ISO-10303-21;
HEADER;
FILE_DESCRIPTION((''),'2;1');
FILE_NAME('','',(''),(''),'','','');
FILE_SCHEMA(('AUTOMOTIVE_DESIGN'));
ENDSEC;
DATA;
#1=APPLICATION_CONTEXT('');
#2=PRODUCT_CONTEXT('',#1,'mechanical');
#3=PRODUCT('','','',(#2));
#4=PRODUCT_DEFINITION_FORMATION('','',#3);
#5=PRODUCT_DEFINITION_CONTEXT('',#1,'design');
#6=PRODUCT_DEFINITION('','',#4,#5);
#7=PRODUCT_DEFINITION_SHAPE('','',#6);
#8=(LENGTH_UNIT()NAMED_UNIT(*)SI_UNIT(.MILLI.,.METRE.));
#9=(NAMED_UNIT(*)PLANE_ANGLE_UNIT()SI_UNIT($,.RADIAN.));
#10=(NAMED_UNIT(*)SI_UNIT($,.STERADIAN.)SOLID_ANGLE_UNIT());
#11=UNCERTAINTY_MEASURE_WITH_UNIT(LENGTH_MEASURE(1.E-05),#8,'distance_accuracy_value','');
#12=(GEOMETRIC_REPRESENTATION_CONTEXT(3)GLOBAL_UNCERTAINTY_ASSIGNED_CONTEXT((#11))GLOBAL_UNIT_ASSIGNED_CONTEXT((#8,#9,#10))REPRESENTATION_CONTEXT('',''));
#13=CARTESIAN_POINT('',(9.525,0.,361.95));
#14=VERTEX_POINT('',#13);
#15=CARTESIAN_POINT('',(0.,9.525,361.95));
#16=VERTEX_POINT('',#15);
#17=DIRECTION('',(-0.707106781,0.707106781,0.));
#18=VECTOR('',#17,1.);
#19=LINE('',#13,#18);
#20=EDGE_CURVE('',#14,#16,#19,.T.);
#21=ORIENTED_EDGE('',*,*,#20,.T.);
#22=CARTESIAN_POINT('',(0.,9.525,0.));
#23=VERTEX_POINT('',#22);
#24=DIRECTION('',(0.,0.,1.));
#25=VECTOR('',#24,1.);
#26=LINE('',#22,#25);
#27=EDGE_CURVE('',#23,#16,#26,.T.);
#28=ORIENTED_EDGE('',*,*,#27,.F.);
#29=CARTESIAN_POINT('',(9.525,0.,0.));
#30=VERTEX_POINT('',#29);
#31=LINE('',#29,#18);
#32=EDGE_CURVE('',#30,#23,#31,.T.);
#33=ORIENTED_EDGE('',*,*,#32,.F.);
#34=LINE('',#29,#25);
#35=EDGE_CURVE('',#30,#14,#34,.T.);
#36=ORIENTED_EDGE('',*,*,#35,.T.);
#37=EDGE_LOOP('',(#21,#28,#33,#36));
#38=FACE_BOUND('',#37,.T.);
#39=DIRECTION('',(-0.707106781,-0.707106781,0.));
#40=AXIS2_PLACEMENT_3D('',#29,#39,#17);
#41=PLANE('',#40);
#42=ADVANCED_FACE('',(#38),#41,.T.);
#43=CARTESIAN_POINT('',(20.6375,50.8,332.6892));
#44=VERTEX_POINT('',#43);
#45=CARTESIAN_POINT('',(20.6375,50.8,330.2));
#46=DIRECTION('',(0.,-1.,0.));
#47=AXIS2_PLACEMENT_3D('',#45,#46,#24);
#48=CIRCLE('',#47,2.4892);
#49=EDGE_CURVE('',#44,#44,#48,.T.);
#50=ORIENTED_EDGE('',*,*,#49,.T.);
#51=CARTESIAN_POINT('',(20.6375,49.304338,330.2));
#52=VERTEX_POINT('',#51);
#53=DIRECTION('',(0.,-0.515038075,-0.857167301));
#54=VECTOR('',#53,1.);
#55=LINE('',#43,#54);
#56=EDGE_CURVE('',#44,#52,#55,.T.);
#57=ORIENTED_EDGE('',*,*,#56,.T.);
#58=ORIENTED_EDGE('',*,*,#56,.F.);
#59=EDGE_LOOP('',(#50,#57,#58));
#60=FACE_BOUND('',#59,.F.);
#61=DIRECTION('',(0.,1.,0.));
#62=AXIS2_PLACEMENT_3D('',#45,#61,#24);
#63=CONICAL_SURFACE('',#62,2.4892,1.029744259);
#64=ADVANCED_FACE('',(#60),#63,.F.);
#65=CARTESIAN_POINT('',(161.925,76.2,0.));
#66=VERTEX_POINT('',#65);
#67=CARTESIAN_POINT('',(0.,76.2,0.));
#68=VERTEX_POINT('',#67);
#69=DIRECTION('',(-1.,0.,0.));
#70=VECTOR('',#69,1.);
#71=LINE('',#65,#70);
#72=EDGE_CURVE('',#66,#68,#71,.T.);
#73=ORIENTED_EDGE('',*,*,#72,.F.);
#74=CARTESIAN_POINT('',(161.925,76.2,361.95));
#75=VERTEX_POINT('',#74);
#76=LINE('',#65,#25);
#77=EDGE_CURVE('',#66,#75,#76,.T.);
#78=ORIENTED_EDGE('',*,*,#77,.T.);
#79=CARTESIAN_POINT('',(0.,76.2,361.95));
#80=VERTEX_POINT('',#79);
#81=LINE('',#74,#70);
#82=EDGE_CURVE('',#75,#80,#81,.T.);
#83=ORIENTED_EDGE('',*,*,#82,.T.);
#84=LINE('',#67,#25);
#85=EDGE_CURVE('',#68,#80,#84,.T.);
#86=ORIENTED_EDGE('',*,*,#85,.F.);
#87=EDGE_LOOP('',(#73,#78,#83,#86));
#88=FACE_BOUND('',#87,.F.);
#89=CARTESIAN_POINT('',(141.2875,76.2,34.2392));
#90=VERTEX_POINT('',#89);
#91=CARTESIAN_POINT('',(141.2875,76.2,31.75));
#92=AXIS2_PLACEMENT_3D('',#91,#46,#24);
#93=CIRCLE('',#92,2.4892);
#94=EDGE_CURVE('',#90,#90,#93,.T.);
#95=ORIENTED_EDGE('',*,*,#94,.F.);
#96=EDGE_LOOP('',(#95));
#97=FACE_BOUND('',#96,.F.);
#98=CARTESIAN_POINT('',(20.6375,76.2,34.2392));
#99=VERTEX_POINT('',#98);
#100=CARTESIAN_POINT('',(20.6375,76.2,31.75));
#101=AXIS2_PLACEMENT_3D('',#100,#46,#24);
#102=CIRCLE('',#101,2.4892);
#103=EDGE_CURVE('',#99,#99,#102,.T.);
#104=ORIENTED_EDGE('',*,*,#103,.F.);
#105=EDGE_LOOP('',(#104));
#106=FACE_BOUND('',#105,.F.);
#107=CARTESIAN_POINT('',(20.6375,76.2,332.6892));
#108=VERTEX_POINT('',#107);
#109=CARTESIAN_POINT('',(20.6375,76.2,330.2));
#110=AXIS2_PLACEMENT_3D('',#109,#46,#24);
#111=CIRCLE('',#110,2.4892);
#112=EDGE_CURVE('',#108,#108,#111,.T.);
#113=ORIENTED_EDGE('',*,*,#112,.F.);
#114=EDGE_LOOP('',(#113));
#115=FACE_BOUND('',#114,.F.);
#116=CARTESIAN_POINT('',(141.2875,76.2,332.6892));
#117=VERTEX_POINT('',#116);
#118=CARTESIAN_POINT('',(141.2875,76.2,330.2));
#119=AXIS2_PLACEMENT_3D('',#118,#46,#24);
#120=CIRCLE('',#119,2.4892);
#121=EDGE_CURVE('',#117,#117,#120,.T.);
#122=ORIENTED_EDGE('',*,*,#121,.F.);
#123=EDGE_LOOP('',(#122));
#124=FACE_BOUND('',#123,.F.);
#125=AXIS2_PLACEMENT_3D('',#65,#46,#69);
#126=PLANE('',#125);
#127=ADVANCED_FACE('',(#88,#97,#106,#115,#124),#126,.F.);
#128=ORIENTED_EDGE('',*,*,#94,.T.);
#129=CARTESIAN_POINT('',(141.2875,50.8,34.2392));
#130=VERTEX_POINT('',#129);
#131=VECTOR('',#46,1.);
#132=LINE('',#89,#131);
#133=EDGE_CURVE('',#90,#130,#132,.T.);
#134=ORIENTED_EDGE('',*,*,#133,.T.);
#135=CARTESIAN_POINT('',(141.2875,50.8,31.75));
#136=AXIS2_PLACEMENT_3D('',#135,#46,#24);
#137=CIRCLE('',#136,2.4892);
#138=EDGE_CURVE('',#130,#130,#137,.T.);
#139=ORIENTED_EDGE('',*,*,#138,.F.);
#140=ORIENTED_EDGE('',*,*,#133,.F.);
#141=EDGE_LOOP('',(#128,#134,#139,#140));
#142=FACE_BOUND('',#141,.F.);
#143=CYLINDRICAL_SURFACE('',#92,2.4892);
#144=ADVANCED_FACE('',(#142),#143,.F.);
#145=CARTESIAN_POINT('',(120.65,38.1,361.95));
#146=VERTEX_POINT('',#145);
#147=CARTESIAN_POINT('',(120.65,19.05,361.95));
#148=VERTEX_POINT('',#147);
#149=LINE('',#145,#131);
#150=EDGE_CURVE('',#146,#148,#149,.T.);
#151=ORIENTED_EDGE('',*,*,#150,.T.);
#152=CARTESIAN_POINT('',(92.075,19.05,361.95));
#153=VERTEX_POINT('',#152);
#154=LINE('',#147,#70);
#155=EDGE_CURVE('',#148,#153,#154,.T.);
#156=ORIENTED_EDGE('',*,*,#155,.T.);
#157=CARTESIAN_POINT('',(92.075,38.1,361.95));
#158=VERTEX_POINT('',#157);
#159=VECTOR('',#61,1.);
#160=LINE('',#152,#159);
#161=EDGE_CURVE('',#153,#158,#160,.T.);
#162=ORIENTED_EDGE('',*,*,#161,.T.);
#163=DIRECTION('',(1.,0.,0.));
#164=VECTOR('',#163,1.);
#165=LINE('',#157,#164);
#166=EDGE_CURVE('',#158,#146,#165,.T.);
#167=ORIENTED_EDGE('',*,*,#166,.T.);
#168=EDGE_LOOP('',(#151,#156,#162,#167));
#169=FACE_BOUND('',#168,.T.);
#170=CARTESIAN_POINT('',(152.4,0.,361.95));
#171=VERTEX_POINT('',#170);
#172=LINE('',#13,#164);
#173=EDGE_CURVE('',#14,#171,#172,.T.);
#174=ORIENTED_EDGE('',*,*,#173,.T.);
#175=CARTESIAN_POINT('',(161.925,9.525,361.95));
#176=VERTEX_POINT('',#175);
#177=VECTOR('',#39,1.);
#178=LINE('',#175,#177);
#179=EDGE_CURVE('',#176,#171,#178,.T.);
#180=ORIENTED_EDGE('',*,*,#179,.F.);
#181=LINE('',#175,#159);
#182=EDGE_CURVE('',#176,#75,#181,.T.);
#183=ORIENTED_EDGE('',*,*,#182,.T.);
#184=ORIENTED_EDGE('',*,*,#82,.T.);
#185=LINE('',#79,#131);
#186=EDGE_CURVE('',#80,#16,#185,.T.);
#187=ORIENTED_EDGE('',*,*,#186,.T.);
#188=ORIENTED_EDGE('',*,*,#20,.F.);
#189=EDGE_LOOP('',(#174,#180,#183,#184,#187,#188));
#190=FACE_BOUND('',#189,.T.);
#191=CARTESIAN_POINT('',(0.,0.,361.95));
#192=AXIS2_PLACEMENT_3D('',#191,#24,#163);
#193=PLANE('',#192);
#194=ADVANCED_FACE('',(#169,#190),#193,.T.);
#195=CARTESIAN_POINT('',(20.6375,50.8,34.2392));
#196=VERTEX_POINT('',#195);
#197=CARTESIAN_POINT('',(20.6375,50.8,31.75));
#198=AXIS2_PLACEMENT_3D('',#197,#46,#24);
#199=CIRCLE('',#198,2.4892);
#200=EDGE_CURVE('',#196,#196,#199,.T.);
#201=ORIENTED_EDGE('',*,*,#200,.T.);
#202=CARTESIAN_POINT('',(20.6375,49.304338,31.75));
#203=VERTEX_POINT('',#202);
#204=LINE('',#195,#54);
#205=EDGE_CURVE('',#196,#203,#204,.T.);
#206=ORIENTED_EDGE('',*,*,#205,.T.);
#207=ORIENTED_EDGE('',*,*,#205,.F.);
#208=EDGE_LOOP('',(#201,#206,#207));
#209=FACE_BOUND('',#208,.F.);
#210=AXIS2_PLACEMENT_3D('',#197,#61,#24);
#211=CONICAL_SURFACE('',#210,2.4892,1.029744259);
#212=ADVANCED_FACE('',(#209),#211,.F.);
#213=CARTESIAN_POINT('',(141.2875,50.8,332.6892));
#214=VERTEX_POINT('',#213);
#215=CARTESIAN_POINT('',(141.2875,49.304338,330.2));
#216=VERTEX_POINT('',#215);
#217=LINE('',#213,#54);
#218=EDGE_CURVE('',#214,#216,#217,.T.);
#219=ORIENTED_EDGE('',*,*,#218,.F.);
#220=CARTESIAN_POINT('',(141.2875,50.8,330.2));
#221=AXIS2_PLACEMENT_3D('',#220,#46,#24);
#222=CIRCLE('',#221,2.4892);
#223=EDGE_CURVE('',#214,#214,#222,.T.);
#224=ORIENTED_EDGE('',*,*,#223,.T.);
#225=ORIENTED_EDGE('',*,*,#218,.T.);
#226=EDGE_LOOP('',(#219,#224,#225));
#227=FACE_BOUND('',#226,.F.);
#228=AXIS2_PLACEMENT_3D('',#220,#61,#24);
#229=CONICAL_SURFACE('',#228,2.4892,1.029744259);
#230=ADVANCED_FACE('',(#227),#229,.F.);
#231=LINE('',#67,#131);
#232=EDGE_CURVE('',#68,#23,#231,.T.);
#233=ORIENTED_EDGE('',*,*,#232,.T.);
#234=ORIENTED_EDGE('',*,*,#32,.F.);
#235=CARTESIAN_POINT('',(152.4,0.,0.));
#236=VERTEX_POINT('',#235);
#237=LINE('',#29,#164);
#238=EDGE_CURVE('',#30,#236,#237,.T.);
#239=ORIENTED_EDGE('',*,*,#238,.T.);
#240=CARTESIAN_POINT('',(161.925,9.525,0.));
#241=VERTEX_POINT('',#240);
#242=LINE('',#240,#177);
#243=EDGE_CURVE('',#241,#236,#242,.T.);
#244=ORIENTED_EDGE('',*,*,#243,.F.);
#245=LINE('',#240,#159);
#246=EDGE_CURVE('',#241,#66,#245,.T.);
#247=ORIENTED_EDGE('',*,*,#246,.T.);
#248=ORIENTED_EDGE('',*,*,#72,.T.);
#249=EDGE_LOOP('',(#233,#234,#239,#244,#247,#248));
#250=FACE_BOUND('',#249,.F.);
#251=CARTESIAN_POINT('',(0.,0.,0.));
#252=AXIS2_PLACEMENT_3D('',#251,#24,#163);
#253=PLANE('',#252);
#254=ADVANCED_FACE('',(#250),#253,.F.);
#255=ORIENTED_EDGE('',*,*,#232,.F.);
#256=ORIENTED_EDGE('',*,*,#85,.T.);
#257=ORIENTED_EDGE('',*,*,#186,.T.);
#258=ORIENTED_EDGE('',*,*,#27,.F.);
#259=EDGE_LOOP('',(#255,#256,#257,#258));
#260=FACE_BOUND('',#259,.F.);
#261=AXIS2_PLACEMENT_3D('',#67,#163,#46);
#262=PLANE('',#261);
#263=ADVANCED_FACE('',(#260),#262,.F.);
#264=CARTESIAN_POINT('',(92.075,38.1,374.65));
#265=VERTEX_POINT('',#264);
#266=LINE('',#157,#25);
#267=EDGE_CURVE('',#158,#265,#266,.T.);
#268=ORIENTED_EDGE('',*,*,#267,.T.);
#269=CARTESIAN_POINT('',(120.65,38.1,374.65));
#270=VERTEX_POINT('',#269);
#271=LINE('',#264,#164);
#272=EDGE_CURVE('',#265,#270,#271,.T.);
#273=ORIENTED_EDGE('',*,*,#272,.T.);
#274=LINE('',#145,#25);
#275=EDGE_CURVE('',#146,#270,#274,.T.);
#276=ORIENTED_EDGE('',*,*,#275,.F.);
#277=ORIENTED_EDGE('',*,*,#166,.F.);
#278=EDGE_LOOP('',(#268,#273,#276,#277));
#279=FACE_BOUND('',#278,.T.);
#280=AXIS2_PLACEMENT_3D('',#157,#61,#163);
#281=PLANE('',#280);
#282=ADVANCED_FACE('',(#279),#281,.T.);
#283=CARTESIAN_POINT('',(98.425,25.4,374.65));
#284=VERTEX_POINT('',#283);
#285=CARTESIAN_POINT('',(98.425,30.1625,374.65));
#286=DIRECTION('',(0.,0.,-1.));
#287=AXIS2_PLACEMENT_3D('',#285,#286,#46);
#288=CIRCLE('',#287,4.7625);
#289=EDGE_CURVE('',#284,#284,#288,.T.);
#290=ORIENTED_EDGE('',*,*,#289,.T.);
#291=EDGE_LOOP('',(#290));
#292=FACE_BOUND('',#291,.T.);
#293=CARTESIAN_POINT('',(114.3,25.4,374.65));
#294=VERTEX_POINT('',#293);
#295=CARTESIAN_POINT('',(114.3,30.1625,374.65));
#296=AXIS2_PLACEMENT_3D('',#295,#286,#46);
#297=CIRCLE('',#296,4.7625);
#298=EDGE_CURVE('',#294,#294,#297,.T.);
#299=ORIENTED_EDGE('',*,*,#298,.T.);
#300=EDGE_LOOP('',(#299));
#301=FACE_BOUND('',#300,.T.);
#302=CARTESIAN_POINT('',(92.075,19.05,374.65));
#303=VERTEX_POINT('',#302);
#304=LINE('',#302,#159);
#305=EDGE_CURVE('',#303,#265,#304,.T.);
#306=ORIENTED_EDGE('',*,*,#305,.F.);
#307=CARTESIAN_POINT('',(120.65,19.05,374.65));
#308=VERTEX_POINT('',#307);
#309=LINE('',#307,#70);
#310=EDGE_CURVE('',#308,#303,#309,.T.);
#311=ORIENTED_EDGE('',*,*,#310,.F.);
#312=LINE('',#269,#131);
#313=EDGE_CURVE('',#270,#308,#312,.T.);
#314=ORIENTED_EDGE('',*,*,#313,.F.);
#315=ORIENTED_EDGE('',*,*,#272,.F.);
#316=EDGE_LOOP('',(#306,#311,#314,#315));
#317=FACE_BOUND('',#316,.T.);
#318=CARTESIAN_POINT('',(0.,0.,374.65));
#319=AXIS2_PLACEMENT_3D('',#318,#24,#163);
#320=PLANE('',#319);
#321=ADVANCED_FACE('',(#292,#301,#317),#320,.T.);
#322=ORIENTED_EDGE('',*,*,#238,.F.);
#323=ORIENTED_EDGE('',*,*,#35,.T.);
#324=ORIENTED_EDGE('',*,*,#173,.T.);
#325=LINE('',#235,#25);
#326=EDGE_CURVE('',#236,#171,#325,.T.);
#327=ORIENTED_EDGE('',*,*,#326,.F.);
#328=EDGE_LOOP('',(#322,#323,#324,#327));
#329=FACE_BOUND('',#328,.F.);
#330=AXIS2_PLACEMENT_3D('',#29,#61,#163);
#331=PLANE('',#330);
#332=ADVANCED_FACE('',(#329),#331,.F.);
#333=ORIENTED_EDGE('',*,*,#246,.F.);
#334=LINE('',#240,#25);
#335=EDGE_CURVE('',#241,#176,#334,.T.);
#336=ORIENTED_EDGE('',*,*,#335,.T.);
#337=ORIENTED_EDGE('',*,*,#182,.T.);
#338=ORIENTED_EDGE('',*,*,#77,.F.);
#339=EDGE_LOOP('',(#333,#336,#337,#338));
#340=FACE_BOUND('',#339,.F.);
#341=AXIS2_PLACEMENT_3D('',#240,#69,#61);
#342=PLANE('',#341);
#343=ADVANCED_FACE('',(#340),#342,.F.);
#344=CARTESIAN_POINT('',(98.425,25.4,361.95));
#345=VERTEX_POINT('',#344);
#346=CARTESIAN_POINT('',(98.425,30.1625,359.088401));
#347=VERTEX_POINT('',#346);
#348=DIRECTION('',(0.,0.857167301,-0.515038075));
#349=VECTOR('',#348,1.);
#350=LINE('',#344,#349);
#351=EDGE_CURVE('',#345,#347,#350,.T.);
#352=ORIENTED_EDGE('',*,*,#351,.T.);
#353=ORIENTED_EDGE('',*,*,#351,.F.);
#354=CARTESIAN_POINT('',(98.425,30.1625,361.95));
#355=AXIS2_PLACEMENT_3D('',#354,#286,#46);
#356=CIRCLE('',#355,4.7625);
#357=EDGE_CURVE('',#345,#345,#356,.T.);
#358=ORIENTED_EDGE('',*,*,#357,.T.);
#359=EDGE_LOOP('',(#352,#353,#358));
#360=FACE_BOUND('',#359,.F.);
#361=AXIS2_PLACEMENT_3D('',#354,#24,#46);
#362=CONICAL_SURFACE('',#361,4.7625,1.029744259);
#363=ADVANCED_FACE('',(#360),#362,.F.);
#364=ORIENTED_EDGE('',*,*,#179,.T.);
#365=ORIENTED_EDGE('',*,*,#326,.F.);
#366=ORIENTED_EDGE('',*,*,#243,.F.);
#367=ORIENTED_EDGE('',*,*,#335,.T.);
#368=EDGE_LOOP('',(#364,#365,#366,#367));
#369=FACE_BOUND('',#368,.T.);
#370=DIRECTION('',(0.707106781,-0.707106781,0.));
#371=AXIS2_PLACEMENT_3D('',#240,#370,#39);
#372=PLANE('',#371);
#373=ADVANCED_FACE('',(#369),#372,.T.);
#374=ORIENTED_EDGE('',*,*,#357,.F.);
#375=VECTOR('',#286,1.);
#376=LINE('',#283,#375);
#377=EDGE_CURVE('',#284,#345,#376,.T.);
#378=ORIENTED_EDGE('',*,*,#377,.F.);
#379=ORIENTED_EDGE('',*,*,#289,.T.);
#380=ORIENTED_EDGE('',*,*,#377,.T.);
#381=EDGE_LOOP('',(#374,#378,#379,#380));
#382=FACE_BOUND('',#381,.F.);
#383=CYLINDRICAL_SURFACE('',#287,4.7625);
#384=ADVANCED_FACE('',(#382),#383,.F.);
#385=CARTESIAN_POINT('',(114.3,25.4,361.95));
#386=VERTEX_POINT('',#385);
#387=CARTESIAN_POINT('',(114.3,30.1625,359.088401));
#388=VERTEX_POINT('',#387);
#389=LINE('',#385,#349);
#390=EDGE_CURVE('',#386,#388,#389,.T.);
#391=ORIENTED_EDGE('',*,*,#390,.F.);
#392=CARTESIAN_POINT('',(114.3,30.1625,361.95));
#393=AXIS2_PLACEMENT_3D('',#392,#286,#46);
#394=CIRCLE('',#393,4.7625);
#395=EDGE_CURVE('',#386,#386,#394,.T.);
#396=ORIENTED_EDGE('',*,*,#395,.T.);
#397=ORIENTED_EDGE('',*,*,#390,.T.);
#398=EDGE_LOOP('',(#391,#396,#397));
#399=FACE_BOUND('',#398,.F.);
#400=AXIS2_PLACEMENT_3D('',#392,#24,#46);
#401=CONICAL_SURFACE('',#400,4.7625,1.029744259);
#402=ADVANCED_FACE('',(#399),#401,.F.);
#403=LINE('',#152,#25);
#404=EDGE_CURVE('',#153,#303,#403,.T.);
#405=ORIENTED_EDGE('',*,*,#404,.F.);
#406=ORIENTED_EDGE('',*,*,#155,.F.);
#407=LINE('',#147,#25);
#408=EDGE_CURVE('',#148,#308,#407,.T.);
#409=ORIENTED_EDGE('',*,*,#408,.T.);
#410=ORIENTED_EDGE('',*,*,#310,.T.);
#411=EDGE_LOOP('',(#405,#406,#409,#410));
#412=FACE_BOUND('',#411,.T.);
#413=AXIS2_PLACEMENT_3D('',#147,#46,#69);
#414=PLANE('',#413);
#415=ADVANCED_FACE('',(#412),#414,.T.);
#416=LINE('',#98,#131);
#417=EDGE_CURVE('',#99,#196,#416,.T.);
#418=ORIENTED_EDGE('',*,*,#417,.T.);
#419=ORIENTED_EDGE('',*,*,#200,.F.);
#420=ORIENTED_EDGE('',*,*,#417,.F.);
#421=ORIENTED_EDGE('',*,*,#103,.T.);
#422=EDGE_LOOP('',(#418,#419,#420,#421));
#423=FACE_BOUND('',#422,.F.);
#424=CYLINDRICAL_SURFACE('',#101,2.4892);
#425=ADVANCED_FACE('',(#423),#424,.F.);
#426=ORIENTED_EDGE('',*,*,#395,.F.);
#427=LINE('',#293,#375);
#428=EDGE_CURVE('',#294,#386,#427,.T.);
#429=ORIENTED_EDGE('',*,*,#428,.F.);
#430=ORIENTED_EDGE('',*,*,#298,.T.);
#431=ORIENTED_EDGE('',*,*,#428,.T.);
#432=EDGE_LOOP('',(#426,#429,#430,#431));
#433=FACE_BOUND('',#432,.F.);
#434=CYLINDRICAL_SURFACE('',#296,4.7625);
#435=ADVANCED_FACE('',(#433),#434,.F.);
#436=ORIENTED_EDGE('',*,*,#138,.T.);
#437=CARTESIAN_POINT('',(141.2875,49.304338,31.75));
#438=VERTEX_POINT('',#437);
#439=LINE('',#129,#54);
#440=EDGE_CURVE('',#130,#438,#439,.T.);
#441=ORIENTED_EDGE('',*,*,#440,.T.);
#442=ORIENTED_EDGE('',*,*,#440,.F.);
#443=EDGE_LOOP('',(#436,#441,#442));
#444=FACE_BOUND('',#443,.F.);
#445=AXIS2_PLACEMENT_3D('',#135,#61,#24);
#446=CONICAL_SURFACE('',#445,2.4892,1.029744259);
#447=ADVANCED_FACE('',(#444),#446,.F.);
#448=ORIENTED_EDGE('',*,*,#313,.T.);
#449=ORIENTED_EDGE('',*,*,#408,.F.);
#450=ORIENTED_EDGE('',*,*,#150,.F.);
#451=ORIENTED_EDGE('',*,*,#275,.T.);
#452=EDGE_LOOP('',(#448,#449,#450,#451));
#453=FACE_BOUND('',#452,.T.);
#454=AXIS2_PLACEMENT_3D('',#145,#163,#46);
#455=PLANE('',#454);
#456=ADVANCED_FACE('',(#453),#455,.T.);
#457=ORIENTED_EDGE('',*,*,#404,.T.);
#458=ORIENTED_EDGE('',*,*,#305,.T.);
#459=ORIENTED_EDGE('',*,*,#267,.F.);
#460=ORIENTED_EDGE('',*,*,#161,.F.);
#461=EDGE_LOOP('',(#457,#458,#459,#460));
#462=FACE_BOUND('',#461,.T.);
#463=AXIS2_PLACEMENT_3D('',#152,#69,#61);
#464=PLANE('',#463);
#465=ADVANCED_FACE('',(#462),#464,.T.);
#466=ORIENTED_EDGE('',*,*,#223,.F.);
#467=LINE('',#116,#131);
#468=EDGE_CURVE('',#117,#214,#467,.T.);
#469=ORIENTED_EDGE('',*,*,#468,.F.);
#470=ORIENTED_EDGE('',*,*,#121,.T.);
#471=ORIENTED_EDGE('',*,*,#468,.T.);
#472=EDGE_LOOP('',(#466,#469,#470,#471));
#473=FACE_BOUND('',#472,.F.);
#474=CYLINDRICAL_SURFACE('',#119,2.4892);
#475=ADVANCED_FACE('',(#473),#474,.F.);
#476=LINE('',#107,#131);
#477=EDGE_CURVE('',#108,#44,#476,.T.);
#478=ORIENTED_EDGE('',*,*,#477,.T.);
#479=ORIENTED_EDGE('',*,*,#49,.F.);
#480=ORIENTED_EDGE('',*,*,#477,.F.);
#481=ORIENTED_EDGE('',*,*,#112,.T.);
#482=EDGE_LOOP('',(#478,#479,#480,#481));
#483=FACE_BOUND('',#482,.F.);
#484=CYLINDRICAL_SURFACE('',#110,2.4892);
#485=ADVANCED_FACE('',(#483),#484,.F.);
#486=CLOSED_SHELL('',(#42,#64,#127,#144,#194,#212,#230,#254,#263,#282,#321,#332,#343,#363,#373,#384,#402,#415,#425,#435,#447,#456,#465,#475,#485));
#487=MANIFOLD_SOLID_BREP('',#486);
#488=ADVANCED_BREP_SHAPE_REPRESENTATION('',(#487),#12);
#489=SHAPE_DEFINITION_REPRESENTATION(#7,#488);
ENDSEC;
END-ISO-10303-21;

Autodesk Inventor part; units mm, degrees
ref_plane "YZ Plane" through (0, 0, 0) normal (1, 0, 0) x (0, 1, 0)
ref_plane "XZ Plane" through (0, 0, 0) normal (0, 1, 0) x (-1, 0, 0)
ref_plane "XY Plane" through (0, 0, 0) normal (0, 0, 1) x (1, 0, 0)
sketch "Sketch1" plane through (0, 0, 0) normal (0, 0, 1) x (1, 0, 0)
  line L0 (9.525, 0) -> (152.4, 0)
  line L1 (161.925, 9.525) -> (161.925, 76.2)
  line L2 (161.925, 76.2) -> (0, 76.2)
  line L3 (0, 76.2) -> (0, 9.525)
  line L4 (9.525, 0) -> (0, 9.525)
  line L5 (161.925, 9.525) -> (152.4, 0)
  point P0 (0, 0)
  point P1 (161.925, 0)
  dimension "d0" = 161.925
  dimension "d1" = 76.2
  dimension "d2" = 9.525
  dimension "d3" = 9.525
  dimension "d4" = 9.525
  dimension "d5" = 9.525
extrude "Main Body" add sketch "Sketch1" along normal blind 361.95
sketch "Sketch2" plane through (0, 0, 361.95) normal (0, 0, 1) x (1, 0, 0)
  line L0 (161.925, 76.2) -> (161.925, 9.525) projected
  line L1 (152.4, 0) -> (9.525, 0) projected
  line L2 (92.075, 38.1) -> (120.65, 38.1)
  line L3 (120.65, 38.1) -> (120.65, 19.05)
  line L4 (120.65, 19.05) -> (92.075, 19.05)
  line L5 (92.075, 19.05) -> (92.075, 38.1)
  point P0 (0, 0)
  dimension "d8" = 41.275
  dimension "d9" = 19.05
  dimension "d10" = 28.575
  dimension "d11" = 19.05
extrude "Terminal Block" add sketch "Sketch2" along normal blind 12.7
sketch "Sketch3" plane through (0, 0, 374.65) normal (0, 0, 1) x (1, 0, 0)
  line L0 (92.075, 38.1) -> (120.65, 38.1) projected
  line L1 (98.425, 30.1625) -> (114.3, 30.1625)
  point P0 (0, 0)
  point P1 (106.3625, 30.1625)
  point P2 (106.3625, 38.1)
  dimension "d14" = 15.875
  dimension "d15" = 7.9375
hole "Terminal Holes" at (98.425, 30.1625, 374.65) at (114.3, 30.1625, 374.65) direction (0, 0, -1) diameter 9.525 depth 12.7 tip angle 118
sketch "Sketch4" plane through (0, 76.2, 0) normal (0, 1, 0) x (1, 0, 0)
  line L0 (0, 0) -> (161.925, 0) projected
  line L1 (0, 0) -> (0, -361.95) projected
  line L2 (20.6375, -31.75) -> (141.2875, -31.75)
  line L3 (141.2875, -31.75) -> (141.2875, -330.2)
  line L4 (141.2875, -330.2) -> (20.6375, -330.2)
  line L5 (20.6375, -330.2) -> (20.6375, -31.75)
  point P0 (20.6375, -180.975)
  point P1 (0, -180.975)
  point P2 (80.9625, 0)
  point P3 (80.9625, -31.75)
  dimension "d23" = 120.65
  dimension "d24" = 298.45
hole "Hole2" at (20.6375, 76.2, 31.75) at (141.2875, 76.2, 31.75) at (141.2875, 76.2, 330.2) at (20.6375, 76.2, 330.2) direction (0, -1, 0) diameter 4.9784 depth 25.4 tip angle 118 thread size "1/4-20 UNC" class "2B" standard "ANSI Unified Screw Threads"
equation "\"d3\" = d2"
equation "\"d4\" = d2"
equation "\"d5\" = d4"
properties part number "inverter"
